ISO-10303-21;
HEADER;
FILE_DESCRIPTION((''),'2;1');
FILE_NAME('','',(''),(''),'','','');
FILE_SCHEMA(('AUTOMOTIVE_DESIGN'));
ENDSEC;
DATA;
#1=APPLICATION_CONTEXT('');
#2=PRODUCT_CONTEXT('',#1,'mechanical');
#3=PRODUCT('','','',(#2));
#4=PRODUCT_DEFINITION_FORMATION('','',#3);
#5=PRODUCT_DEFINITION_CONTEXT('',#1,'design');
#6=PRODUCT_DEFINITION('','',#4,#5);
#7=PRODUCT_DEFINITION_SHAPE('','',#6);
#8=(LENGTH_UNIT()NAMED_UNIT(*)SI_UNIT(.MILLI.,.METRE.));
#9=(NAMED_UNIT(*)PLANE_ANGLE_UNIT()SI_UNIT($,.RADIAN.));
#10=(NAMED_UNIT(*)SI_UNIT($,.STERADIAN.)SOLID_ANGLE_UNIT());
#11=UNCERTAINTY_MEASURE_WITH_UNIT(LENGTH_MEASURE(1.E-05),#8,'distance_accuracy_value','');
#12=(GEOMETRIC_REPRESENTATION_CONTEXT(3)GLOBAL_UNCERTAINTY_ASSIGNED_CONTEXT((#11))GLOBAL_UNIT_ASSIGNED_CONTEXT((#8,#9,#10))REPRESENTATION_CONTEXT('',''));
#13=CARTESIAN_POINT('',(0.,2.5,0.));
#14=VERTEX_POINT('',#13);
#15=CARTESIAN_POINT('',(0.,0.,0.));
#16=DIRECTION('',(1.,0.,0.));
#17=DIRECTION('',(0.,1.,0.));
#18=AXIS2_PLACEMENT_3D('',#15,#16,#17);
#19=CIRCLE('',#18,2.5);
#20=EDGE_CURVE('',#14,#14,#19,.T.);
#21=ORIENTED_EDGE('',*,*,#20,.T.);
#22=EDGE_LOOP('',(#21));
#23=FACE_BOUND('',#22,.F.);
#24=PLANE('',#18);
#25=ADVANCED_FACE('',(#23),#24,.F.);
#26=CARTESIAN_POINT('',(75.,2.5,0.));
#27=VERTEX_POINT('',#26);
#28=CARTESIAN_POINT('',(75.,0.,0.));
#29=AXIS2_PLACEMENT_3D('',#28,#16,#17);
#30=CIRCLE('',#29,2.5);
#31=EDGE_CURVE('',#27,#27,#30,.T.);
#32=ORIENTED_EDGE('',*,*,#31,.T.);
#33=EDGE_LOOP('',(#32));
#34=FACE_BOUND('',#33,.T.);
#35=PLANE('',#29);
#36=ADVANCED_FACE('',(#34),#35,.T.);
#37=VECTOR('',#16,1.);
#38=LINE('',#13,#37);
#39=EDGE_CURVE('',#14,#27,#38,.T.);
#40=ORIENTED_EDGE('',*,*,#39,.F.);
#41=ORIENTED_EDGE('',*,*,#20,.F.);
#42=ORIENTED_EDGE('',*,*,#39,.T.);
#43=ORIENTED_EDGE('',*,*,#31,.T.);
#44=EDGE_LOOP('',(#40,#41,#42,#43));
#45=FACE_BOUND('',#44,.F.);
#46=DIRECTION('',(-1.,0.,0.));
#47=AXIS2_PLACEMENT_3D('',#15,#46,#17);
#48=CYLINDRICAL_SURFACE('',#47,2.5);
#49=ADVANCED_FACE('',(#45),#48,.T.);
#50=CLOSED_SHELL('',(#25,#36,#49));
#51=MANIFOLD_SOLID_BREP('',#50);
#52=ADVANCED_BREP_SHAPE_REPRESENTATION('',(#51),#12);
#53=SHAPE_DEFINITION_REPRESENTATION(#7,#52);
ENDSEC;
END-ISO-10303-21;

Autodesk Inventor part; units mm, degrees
ref_plane "YZ Plane" through (0, 0, 0) normal (1, 0, 0) x (0, 1, 0)
ref_plane "XZ Plane" through (0, 0, 0) normal (0, 1, 0) x (-1, 0, 0)
ref_plane "XY Plane" through (0, 0, 0) normal (0, 0, 1) x (1, 0, 0)
sketch "Sketch1" plane through (0, 0, 0) normal (1, 0, 0) x (0, 1, 0)
  circle A0 centre (0, 0) radius 2.5
  dimension "d0" = 5
extrude "Extrusion1" add sketch "Sketch1" along normal blind 75
thread "Thread1" size "3/8-32 UNEF" class "2A" standard "ANSI Unified Screw Threads" full length
properties part number "Forefingers Rod5"
